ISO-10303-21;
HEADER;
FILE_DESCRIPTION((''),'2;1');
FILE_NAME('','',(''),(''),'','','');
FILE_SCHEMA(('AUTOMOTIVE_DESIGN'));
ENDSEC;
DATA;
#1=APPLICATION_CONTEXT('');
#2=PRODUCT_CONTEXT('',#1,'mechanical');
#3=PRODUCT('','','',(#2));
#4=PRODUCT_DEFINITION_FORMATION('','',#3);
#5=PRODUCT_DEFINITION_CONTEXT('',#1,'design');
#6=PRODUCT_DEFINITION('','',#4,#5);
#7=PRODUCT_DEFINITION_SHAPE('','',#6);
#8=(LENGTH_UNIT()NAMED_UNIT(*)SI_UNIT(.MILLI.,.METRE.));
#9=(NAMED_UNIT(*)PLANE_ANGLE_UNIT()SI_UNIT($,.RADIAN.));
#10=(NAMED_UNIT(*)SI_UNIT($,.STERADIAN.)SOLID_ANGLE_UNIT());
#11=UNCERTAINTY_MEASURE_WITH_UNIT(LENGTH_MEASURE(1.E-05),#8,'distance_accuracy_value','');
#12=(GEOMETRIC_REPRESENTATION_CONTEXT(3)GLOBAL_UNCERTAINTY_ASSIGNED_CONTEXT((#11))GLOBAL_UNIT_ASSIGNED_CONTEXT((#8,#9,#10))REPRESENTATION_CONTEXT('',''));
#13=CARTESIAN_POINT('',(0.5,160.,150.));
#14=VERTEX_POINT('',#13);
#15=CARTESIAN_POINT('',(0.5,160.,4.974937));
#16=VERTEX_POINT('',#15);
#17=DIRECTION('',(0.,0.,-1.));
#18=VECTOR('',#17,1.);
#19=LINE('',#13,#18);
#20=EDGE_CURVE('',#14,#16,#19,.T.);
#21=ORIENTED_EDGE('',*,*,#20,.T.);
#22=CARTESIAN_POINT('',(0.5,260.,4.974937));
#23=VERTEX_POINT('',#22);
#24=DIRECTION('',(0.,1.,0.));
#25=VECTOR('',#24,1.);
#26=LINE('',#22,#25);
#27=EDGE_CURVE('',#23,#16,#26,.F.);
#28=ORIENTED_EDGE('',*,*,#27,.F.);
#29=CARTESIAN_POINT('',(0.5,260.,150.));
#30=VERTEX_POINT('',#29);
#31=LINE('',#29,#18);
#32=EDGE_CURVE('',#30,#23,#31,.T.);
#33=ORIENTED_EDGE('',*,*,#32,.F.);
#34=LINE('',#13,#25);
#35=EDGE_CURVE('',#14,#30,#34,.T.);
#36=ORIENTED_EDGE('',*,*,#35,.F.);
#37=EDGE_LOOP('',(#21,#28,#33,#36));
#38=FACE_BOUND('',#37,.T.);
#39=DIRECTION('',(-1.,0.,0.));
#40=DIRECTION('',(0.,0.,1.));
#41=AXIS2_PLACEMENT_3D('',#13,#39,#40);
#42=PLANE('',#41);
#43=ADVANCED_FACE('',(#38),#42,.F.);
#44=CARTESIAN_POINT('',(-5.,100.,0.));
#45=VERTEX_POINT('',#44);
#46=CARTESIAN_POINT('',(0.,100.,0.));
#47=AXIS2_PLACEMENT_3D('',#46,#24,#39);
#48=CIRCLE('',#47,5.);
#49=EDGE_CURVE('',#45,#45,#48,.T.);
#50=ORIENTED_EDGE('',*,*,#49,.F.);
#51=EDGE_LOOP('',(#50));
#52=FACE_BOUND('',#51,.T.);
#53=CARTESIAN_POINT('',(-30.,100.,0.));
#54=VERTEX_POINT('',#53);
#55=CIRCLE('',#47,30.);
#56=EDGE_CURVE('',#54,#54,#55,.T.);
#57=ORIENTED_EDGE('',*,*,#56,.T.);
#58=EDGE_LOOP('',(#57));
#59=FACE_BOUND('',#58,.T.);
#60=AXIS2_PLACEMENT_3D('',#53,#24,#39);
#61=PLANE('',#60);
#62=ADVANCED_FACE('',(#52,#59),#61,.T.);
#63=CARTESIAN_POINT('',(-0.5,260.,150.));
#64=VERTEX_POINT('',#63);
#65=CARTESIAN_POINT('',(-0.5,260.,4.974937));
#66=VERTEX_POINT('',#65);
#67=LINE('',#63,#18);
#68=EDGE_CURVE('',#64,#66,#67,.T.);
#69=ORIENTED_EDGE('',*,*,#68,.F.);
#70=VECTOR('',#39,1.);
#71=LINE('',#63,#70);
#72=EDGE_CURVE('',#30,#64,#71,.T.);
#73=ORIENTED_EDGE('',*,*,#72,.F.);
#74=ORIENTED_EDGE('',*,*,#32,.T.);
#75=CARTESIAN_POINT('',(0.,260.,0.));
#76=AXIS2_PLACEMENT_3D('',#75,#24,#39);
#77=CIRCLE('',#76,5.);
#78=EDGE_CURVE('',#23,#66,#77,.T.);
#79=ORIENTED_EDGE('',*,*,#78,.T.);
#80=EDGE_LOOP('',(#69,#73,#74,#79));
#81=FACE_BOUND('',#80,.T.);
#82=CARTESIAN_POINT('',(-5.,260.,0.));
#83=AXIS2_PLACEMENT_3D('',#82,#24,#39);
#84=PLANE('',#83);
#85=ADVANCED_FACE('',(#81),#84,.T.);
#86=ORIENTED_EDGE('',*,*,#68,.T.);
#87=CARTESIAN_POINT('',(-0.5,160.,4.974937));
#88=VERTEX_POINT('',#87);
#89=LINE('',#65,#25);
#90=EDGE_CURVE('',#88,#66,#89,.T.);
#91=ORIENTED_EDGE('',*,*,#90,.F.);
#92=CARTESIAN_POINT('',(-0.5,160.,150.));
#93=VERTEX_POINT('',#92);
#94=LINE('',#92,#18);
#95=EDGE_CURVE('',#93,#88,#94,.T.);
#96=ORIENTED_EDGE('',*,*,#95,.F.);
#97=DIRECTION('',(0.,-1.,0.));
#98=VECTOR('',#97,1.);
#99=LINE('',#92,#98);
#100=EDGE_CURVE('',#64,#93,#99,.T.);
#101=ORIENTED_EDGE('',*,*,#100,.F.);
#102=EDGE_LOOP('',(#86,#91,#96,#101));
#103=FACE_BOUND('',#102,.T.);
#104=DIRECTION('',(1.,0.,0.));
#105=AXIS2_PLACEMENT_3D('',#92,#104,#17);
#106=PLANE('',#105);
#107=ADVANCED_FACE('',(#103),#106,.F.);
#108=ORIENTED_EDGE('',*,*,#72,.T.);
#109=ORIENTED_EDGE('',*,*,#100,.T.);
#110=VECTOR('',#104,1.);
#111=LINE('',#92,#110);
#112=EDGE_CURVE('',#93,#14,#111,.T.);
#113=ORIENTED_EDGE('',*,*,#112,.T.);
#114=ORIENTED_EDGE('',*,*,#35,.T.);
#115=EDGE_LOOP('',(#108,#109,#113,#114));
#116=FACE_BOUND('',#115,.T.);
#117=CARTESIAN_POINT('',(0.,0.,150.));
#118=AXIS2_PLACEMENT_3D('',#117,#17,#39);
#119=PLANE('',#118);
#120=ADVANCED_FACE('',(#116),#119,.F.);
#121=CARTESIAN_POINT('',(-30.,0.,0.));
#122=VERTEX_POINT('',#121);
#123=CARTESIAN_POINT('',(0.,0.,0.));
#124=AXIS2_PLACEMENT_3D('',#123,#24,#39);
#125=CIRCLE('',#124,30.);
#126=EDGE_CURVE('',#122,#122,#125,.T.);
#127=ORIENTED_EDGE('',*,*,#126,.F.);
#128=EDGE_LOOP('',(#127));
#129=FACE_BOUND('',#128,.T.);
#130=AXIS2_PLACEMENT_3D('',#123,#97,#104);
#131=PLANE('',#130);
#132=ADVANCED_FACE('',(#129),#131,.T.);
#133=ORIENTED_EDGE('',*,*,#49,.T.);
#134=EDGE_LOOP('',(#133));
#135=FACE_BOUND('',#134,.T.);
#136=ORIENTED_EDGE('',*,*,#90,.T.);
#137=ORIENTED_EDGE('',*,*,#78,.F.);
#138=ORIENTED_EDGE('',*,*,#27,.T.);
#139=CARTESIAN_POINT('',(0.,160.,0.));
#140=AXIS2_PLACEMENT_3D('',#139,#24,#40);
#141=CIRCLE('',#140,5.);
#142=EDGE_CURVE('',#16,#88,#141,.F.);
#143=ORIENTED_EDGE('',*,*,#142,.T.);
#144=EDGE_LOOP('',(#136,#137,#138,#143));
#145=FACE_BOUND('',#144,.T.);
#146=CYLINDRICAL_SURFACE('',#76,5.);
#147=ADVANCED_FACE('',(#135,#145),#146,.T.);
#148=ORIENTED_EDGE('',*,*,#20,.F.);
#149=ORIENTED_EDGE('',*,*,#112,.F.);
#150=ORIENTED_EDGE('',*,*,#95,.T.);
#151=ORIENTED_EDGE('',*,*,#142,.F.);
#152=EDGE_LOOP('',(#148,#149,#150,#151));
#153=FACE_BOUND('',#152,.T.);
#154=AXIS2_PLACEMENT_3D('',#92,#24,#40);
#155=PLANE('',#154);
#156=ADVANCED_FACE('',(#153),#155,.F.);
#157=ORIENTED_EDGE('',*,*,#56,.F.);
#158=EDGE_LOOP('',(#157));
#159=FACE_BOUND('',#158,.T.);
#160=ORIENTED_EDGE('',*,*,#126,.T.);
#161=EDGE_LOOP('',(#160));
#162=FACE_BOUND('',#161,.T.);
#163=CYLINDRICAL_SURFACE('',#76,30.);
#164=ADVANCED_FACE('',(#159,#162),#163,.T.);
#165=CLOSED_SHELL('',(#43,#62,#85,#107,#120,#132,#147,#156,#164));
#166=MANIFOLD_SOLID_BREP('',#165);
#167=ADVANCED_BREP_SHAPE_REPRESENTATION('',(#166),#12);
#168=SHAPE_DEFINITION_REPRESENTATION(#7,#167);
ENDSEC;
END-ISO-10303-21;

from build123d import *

# Parameters (mm, degrees)
SKETCH2_W           = 1
SKETCH2_H           = 100
BOSS_EXTRUDE1_DEPTH = 150


with BuildPart() as part:
    # Sketch1 → Revolve1 (revolve)
    with BuildSketch(Plane.XY):
        Polygon((0, 0), (-30, 0), (-30, 100), (-5, 100), (-5, 260), (0, 260), align=None)
    revolve(axis=Axis((0, 260, 0), (0, -1, 0)))

    # Sketch2 → Boss-Extrude1 (add)
    with BuildSketch(Plane.XY):
        with Locations((0, 210)):
            Rectangle(SKETCH2_W, SKETCH2_H)
    extrude(amount=BOSS_EXTRUDE1_DEPTH)


solid = part.part
